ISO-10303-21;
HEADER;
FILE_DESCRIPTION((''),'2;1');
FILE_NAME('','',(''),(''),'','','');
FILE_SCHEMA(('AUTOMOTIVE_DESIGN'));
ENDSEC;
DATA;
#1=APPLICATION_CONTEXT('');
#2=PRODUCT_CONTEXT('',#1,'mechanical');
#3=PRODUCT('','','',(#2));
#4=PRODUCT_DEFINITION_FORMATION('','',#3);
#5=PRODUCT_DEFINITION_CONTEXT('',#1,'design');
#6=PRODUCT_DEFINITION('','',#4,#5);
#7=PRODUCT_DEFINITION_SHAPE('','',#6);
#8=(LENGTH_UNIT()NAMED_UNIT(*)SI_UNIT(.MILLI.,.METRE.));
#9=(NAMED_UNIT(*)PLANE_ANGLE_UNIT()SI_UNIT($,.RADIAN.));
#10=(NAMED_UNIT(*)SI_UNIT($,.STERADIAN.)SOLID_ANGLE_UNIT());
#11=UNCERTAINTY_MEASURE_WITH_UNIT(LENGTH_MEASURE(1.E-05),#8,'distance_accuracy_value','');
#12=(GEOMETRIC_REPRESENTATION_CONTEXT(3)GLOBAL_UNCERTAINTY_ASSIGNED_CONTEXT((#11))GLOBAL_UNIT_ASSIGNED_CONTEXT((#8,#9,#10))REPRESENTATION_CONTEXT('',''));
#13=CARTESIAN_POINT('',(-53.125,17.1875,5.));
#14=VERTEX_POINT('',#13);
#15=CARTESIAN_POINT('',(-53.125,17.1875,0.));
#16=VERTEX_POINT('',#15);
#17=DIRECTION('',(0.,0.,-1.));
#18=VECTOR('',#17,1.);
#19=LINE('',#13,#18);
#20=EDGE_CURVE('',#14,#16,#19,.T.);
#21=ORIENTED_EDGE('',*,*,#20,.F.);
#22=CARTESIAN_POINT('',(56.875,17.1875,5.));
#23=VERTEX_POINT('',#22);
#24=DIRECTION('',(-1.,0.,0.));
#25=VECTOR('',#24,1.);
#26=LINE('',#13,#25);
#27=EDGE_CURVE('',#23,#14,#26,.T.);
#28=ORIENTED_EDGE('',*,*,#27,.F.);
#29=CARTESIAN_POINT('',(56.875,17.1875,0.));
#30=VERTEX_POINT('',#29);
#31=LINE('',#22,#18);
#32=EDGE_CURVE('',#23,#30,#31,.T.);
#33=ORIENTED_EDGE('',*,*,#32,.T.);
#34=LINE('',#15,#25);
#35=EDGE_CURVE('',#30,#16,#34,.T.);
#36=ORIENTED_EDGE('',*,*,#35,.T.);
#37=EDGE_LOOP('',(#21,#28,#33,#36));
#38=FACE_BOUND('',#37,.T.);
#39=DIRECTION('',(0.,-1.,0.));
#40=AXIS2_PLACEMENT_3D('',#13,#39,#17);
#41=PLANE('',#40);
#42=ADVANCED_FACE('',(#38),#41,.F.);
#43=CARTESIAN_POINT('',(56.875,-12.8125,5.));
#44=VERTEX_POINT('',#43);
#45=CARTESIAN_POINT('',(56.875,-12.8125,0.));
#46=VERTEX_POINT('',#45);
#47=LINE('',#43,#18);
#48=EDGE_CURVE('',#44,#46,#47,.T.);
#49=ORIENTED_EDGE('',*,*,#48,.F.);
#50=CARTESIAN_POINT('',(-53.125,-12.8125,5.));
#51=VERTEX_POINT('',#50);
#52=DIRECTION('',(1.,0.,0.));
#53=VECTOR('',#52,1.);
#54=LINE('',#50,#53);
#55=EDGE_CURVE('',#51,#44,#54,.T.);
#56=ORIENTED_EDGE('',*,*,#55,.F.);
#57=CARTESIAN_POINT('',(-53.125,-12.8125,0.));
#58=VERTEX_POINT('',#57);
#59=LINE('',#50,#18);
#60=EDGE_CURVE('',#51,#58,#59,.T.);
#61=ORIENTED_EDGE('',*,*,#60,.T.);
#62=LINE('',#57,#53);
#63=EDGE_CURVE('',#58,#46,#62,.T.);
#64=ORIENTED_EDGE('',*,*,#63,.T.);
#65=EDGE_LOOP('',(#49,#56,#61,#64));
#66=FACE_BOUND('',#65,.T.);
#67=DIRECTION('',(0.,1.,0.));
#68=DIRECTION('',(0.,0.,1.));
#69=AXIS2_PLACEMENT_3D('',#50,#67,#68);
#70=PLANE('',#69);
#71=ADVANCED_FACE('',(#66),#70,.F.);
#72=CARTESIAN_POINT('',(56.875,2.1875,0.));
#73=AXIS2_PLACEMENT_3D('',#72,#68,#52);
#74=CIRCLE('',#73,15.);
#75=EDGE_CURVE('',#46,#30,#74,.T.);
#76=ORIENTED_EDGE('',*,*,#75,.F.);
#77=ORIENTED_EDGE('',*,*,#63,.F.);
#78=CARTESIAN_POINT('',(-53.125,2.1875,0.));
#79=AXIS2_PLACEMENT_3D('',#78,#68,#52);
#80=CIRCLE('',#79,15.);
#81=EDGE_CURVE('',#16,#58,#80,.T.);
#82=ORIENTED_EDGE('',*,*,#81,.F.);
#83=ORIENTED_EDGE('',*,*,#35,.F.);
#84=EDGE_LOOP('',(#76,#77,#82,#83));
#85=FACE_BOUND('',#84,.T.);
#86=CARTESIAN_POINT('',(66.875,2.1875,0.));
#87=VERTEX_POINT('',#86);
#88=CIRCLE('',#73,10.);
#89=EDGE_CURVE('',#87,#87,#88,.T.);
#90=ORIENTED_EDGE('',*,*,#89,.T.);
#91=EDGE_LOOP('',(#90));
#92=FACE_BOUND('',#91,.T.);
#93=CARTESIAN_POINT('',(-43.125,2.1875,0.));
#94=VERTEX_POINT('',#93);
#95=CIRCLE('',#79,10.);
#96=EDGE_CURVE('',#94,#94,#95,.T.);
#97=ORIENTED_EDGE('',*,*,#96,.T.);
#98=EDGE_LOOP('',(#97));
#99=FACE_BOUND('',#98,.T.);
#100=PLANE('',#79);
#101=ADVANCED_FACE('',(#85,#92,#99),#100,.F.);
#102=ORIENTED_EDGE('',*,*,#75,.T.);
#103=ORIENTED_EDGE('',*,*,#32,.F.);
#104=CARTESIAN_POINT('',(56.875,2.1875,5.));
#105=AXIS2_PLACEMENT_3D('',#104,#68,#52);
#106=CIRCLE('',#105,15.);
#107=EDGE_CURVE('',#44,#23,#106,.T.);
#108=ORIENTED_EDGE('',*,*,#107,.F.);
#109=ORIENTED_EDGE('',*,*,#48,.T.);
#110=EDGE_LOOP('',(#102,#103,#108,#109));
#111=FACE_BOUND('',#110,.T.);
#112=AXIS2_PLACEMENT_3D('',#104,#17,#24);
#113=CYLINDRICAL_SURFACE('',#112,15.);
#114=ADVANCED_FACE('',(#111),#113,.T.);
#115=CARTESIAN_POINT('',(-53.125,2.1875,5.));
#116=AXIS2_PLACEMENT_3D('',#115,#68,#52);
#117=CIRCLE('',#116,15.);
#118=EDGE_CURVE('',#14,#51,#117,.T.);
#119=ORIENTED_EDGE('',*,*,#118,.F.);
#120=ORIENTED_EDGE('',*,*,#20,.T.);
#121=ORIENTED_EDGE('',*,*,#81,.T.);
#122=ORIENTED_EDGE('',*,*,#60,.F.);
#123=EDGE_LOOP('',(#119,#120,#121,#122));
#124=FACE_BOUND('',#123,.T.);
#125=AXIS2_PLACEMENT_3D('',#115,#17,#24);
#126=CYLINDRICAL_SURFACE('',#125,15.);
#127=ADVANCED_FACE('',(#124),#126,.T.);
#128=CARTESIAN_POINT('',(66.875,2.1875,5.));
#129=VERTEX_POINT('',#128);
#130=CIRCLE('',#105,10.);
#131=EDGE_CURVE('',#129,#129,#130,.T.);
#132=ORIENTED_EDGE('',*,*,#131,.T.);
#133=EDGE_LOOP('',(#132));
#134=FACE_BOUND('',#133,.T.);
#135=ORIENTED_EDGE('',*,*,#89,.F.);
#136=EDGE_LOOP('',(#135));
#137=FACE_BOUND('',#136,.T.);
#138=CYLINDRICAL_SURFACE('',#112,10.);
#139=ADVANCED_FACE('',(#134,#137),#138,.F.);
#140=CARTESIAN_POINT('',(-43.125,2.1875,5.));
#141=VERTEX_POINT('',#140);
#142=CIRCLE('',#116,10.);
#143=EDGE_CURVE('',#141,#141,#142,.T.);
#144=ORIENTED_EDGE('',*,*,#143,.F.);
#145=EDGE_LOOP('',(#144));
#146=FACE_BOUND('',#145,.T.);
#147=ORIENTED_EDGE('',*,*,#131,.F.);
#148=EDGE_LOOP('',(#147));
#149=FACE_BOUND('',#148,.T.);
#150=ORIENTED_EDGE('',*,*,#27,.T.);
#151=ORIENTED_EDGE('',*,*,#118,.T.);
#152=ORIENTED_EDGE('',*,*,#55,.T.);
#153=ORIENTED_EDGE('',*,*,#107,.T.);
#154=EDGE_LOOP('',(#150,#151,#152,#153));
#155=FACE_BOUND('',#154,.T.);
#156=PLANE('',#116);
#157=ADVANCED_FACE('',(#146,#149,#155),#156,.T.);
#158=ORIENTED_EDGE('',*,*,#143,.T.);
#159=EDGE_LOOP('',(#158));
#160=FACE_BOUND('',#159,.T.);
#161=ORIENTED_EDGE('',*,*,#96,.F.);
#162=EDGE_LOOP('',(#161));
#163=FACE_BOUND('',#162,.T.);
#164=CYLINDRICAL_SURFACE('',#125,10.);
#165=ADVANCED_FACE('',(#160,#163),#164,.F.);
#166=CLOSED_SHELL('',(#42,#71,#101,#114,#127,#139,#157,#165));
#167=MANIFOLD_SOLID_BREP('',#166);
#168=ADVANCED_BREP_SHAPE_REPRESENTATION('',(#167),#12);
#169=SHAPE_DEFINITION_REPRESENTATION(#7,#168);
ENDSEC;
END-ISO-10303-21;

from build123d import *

# Parameters (mm, degrees)
CROQUIS1_R              = 10
SALIENTE_EXTRUIR1_DEPTH = 5


with BuildPart() as part:
    # Croquis1 → Saliente-Extruir1 (new body)
    with BuildSketch(Plane.XY):
        with BuildLine():
            Line((-53.125, 17.1875), (56.875, 17.1875))
            ThreePointArc((56.875, 17.1875), (71.875, 2.1875), (56.875, -12.8125))
            Line((56.875, -12.8125), (-53.125, -12.8125))
            ThreePointArc((-53.125, -12.8125), (-68.125, 2.1875), (-53.125, 17.1875))
        make_face()
        with Locations((-53.125, 2.1875)):
            Circle(CROQUIS1_R, mode=Mode.SUBTRACT)
        with Locations((56.875, 2.1875)):
            Circle(CROQUIS1_R, mode=Mode.SUBTRACT)
    extrude(amount=SALIENTE_EXTRUIR1_DEPTH)


solid = part.part
